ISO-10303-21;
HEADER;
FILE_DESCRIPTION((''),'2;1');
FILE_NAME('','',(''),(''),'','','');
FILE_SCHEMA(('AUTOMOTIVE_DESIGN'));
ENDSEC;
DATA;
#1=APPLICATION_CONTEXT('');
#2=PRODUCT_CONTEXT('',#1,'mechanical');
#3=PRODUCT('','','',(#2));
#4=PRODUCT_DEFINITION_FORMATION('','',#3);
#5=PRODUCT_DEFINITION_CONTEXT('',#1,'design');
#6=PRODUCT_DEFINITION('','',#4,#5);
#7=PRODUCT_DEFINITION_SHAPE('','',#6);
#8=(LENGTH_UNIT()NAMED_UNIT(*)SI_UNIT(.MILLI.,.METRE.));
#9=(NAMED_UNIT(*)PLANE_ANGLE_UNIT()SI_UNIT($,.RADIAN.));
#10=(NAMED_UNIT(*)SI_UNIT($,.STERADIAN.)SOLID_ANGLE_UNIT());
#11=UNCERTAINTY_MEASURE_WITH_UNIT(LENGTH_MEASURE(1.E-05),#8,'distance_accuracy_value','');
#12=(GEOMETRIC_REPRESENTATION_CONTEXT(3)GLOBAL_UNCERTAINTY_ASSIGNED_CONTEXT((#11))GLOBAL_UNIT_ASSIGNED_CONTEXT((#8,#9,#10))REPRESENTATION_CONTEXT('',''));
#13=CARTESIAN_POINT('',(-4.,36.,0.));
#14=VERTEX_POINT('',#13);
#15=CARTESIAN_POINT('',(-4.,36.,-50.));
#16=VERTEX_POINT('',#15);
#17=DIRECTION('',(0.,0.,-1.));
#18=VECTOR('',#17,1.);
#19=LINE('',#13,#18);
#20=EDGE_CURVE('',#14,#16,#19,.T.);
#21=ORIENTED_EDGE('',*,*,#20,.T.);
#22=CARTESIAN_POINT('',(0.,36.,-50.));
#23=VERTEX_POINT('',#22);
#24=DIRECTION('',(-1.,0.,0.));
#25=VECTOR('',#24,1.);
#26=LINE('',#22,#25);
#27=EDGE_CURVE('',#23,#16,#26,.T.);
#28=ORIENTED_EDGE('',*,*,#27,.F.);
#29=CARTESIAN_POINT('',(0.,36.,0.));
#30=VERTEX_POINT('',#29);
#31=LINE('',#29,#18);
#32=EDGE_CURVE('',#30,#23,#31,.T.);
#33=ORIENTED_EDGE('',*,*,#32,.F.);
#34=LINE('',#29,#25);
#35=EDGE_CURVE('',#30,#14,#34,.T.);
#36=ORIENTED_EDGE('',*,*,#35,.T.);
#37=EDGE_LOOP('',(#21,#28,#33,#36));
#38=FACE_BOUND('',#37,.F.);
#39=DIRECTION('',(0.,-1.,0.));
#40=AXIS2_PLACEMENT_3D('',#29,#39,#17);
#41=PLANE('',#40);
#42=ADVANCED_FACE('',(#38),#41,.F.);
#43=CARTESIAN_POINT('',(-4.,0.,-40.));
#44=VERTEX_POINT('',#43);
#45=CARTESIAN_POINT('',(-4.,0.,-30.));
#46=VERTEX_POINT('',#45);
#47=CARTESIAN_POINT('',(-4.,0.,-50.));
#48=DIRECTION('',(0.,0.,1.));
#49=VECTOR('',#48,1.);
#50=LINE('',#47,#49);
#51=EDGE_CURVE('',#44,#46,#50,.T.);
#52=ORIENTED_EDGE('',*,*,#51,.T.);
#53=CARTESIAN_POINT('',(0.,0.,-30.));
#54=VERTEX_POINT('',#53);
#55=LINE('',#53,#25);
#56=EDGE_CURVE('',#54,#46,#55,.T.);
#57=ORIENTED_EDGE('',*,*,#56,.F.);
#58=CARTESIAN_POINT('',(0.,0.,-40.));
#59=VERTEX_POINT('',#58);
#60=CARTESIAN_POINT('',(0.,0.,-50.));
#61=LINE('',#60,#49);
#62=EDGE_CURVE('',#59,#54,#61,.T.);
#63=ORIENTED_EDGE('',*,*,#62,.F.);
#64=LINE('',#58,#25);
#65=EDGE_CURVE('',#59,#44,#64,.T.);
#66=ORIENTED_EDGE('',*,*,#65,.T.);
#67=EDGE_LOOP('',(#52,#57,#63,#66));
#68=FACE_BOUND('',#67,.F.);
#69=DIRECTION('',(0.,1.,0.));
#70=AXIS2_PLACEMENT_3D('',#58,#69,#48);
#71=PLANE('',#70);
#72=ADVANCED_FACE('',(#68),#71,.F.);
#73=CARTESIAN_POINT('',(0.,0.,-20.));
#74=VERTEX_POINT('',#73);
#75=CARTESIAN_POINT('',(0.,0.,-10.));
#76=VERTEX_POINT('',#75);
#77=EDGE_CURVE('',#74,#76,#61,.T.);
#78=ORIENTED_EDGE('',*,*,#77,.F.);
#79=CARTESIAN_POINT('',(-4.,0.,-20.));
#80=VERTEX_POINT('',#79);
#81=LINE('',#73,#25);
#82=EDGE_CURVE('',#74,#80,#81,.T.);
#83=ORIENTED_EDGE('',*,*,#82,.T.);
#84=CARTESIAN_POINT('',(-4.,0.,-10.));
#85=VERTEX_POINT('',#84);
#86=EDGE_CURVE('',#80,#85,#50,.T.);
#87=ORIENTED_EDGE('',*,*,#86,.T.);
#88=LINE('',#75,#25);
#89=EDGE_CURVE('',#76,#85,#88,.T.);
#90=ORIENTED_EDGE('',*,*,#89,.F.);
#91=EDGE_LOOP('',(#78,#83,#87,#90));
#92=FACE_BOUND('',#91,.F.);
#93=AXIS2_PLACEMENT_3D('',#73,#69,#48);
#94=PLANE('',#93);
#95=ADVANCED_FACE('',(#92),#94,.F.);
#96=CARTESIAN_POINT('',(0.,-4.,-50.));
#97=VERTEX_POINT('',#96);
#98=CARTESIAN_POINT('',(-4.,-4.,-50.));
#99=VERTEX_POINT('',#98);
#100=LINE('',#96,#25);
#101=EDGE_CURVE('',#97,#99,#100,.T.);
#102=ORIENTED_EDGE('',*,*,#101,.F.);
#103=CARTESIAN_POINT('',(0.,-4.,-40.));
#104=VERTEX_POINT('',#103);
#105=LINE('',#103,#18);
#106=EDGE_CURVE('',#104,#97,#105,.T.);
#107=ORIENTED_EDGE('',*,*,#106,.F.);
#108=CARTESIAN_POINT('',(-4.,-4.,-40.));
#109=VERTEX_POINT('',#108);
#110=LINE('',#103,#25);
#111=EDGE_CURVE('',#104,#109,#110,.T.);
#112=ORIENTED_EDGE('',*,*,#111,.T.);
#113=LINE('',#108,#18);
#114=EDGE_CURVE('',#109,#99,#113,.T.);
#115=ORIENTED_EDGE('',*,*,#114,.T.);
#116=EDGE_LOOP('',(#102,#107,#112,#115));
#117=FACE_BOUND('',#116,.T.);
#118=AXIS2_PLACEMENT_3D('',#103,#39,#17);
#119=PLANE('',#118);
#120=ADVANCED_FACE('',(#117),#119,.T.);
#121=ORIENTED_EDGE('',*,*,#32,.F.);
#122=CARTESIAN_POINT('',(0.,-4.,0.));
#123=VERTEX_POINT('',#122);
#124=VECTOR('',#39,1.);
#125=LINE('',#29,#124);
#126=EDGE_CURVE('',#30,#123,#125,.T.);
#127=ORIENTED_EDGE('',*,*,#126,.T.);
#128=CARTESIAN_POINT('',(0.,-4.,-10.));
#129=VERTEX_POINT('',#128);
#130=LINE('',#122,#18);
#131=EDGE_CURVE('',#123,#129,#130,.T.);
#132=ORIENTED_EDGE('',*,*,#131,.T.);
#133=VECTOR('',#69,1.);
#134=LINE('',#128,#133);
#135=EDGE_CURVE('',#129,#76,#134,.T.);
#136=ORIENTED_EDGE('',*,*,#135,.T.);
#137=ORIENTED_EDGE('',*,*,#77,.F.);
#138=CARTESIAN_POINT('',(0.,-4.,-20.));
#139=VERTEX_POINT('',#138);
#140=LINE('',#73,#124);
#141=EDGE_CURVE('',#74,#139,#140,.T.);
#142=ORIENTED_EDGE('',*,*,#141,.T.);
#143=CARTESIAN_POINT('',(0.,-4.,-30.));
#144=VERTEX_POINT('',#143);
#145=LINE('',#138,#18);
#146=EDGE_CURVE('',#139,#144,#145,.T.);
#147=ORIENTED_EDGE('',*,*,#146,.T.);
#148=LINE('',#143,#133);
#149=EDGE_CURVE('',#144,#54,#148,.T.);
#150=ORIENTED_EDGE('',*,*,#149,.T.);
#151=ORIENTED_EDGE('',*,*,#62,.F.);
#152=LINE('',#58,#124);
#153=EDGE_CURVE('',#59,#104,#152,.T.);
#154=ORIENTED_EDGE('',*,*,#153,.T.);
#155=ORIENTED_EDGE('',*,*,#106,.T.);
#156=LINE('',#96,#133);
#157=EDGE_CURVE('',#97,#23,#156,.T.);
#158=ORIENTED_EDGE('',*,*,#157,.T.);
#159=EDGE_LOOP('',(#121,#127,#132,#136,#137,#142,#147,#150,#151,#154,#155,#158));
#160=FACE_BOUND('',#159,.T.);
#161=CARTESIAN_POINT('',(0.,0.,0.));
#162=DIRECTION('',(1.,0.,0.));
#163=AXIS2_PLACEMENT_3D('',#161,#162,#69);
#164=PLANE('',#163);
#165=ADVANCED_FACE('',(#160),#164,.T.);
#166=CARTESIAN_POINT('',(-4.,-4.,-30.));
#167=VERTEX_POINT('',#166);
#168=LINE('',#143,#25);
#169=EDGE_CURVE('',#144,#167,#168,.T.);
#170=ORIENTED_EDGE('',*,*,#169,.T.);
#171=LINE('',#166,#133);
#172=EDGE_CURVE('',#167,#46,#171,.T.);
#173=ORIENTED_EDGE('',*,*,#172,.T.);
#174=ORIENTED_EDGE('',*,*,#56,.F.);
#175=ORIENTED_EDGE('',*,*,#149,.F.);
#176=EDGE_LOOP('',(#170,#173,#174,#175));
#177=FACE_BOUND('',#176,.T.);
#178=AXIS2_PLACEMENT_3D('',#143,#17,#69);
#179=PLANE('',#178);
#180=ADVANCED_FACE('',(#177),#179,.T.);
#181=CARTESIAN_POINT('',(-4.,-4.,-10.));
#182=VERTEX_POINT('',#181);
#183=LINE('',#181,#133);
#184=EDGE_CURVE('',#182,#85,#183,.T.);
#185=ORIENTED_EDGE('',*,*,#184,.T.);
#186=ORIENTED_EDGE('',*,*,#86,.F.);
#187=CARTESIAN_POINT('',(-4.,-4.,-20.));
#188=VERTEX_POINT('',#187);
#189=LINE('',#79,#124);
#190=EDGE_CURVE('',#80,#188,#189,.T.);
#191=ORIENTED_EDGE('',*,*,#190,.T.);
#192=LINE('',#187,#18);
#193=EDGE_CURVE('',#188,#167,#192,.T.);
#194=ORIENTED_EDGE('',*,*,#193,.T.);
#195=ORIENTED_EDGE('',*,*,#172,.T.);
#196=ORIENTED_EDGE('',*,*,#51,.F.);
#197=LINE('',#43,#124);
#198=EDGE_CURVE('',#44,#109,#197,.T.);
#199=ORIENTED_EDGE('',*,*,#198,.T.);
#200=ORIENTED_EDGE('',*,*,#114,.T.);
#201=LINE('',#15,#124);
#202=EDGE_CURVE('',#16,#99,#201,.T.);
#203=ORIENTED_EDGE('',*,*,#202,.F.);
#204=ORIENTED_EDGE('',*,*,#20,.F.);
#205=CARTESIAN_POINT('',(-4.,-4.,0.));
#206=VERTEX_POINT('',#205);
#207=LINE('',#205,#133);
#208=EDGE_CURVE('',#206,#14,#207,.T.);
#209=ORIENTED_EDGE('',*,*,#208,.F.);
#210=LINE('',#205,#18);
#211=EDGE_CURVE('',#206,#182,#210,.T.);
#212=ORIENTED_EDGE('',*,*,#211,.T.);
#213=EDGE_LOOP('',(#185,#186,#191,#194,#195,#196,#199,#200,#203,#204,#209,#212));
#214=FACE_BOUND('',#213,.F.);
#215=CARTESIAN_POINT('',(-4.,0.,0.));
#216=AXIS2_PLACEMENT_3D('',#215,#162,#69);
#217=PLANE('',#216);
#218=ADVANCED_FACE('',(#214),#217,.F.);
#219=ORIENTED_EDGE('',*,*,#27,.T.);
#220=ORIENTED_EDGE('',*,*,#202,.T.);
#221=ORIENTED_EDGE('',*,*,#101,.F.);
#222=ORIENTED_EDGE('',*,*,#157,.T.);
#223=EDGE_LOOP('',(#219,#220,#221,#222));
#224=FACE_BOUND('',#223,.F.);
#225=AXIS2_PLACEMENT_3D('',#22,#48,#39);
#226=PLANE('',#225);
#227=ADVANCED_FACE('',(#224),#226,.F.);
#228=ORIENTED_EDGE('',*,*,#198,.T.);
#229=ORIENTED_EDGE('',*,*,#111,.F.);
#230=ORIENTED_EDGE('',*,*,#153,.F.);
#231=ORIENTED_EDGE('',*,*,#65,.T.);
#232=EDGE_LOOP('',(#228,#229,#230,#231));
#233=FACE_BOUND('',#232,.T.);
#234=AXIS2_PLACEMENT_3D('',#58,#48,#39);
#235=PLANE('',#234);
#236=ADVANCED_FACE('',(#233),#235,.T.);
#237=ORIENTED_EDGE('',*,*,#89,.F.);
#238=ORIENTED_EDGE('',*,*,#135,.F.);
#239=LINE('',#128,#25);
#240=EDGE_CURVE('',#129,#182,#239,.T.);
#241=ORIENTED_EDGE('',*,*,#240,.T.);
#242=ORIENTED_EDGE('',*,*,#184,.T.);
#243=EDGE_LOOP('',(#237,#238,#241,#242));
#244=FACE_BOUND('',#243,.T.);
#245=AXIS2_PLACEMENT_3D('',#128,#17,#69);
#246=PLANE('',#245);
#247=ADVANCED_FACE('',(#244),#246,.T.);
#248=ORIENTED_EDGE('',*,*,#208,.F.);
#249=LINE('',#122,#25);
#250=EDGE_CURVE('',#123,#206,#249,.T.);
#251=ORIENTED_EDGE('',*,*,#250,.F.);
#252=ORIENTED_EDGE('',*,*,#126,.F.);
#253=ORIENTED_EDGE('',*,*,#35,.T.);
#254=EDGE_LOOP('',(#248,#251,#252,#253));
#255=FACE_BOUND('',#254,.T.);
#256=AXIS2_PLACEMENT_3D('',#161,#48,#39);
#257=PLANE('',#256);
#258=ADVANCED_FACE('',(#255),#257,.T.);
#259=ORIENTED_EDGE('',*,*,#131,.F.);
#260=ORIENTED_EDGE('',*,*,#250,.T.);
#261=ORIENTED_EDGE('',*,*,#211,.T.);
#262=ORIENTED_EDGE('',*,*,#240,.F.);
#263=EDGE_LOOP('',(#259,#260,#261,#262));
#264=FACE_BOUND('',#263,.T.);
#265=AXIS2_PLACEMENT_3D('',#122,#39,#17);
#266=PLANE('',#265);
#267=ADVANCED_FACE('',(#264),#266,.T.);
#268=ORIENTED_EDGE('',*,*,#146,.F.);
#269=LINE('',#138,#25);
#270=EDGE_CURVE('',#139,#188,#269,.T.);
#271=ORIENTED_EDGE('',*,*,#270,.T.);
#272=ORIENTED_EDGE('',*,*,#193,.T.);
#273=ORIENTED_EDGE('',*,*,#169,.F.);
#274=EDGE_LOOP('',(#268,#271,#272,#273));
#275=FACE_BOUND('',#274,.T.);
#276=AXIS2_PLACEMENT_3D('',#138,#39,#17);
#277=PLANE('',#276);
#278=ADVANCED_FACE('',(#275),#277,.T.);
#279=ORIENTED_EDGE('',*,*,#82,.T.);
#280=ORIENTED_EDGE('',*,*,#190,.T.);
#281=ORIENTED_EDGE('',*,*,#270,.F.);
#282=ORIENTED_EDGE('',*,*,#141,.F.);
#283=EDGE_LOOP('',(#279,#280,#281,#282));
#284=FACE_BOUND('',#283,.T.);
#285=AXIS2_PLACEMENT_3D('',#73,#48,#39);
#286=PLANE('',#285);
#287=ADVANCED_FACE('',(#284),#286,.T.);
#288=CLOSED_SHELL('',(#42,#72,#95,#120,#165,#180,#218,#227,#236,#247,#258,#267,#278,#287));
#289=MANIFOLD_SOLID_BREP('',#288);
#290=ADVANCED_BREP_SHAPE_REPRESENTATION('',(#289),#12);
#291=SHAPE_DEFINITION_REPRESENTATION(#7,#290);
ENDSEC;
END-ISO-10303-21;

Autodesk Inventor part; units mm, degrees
ref_plane "YZ Plane" through (0, 0, 0) normal (1, 0, 0) x (0, 1, 0)
ref_plane "XZ Plane" through (0, 0, 0) normal (0, 1, 0) x (-1, 0, 0)
ref_plane "XY Plane" through (0, 0, 0) normal (0, 0, 1) x (1, 0, 0)
sketch "Sketch1" plane through (0, 0, 0) normal (1, 0, 0) x (0, 1, 0)
  line L0 (0, 0) -> (-4, 0)
  line L1 (0, 0) -> (36, 0)
  line L2 (36, 0) -> (36, -50)
  line L3 (36, -50) -> (0, -50)
  line L4 (0, -50) -> (0, 0)
  line L5 (-4, 0) -> (-4, -10)
  line L6 (-4, -20) -> (-4, -30)
  line L7 (0, -20) -> (0, -10)
  line L8 (-4, -10) -> (0, -10)
  line L9 (0, -20) -> (-4, -20)
  line L10 (-4, -40) -> (-4, -50)
  line L11 (0, -40) -> (0, -30)
  line L12 (-4, -30) -> (0, -30)
  line L13 (0, -40) -> (-4, -40)
  line L14 (-4, -50) -> (0, -50)
  dimension "d230" = 36
  dimension "d231" = 50
  dimension "d236" = 10
  dimension "d240" = 10
  dimension "d241" = 4
extrude "Extrusion1" add sketch "Sketch1" against normal blind 4
properties part number "Langbektang houder"
